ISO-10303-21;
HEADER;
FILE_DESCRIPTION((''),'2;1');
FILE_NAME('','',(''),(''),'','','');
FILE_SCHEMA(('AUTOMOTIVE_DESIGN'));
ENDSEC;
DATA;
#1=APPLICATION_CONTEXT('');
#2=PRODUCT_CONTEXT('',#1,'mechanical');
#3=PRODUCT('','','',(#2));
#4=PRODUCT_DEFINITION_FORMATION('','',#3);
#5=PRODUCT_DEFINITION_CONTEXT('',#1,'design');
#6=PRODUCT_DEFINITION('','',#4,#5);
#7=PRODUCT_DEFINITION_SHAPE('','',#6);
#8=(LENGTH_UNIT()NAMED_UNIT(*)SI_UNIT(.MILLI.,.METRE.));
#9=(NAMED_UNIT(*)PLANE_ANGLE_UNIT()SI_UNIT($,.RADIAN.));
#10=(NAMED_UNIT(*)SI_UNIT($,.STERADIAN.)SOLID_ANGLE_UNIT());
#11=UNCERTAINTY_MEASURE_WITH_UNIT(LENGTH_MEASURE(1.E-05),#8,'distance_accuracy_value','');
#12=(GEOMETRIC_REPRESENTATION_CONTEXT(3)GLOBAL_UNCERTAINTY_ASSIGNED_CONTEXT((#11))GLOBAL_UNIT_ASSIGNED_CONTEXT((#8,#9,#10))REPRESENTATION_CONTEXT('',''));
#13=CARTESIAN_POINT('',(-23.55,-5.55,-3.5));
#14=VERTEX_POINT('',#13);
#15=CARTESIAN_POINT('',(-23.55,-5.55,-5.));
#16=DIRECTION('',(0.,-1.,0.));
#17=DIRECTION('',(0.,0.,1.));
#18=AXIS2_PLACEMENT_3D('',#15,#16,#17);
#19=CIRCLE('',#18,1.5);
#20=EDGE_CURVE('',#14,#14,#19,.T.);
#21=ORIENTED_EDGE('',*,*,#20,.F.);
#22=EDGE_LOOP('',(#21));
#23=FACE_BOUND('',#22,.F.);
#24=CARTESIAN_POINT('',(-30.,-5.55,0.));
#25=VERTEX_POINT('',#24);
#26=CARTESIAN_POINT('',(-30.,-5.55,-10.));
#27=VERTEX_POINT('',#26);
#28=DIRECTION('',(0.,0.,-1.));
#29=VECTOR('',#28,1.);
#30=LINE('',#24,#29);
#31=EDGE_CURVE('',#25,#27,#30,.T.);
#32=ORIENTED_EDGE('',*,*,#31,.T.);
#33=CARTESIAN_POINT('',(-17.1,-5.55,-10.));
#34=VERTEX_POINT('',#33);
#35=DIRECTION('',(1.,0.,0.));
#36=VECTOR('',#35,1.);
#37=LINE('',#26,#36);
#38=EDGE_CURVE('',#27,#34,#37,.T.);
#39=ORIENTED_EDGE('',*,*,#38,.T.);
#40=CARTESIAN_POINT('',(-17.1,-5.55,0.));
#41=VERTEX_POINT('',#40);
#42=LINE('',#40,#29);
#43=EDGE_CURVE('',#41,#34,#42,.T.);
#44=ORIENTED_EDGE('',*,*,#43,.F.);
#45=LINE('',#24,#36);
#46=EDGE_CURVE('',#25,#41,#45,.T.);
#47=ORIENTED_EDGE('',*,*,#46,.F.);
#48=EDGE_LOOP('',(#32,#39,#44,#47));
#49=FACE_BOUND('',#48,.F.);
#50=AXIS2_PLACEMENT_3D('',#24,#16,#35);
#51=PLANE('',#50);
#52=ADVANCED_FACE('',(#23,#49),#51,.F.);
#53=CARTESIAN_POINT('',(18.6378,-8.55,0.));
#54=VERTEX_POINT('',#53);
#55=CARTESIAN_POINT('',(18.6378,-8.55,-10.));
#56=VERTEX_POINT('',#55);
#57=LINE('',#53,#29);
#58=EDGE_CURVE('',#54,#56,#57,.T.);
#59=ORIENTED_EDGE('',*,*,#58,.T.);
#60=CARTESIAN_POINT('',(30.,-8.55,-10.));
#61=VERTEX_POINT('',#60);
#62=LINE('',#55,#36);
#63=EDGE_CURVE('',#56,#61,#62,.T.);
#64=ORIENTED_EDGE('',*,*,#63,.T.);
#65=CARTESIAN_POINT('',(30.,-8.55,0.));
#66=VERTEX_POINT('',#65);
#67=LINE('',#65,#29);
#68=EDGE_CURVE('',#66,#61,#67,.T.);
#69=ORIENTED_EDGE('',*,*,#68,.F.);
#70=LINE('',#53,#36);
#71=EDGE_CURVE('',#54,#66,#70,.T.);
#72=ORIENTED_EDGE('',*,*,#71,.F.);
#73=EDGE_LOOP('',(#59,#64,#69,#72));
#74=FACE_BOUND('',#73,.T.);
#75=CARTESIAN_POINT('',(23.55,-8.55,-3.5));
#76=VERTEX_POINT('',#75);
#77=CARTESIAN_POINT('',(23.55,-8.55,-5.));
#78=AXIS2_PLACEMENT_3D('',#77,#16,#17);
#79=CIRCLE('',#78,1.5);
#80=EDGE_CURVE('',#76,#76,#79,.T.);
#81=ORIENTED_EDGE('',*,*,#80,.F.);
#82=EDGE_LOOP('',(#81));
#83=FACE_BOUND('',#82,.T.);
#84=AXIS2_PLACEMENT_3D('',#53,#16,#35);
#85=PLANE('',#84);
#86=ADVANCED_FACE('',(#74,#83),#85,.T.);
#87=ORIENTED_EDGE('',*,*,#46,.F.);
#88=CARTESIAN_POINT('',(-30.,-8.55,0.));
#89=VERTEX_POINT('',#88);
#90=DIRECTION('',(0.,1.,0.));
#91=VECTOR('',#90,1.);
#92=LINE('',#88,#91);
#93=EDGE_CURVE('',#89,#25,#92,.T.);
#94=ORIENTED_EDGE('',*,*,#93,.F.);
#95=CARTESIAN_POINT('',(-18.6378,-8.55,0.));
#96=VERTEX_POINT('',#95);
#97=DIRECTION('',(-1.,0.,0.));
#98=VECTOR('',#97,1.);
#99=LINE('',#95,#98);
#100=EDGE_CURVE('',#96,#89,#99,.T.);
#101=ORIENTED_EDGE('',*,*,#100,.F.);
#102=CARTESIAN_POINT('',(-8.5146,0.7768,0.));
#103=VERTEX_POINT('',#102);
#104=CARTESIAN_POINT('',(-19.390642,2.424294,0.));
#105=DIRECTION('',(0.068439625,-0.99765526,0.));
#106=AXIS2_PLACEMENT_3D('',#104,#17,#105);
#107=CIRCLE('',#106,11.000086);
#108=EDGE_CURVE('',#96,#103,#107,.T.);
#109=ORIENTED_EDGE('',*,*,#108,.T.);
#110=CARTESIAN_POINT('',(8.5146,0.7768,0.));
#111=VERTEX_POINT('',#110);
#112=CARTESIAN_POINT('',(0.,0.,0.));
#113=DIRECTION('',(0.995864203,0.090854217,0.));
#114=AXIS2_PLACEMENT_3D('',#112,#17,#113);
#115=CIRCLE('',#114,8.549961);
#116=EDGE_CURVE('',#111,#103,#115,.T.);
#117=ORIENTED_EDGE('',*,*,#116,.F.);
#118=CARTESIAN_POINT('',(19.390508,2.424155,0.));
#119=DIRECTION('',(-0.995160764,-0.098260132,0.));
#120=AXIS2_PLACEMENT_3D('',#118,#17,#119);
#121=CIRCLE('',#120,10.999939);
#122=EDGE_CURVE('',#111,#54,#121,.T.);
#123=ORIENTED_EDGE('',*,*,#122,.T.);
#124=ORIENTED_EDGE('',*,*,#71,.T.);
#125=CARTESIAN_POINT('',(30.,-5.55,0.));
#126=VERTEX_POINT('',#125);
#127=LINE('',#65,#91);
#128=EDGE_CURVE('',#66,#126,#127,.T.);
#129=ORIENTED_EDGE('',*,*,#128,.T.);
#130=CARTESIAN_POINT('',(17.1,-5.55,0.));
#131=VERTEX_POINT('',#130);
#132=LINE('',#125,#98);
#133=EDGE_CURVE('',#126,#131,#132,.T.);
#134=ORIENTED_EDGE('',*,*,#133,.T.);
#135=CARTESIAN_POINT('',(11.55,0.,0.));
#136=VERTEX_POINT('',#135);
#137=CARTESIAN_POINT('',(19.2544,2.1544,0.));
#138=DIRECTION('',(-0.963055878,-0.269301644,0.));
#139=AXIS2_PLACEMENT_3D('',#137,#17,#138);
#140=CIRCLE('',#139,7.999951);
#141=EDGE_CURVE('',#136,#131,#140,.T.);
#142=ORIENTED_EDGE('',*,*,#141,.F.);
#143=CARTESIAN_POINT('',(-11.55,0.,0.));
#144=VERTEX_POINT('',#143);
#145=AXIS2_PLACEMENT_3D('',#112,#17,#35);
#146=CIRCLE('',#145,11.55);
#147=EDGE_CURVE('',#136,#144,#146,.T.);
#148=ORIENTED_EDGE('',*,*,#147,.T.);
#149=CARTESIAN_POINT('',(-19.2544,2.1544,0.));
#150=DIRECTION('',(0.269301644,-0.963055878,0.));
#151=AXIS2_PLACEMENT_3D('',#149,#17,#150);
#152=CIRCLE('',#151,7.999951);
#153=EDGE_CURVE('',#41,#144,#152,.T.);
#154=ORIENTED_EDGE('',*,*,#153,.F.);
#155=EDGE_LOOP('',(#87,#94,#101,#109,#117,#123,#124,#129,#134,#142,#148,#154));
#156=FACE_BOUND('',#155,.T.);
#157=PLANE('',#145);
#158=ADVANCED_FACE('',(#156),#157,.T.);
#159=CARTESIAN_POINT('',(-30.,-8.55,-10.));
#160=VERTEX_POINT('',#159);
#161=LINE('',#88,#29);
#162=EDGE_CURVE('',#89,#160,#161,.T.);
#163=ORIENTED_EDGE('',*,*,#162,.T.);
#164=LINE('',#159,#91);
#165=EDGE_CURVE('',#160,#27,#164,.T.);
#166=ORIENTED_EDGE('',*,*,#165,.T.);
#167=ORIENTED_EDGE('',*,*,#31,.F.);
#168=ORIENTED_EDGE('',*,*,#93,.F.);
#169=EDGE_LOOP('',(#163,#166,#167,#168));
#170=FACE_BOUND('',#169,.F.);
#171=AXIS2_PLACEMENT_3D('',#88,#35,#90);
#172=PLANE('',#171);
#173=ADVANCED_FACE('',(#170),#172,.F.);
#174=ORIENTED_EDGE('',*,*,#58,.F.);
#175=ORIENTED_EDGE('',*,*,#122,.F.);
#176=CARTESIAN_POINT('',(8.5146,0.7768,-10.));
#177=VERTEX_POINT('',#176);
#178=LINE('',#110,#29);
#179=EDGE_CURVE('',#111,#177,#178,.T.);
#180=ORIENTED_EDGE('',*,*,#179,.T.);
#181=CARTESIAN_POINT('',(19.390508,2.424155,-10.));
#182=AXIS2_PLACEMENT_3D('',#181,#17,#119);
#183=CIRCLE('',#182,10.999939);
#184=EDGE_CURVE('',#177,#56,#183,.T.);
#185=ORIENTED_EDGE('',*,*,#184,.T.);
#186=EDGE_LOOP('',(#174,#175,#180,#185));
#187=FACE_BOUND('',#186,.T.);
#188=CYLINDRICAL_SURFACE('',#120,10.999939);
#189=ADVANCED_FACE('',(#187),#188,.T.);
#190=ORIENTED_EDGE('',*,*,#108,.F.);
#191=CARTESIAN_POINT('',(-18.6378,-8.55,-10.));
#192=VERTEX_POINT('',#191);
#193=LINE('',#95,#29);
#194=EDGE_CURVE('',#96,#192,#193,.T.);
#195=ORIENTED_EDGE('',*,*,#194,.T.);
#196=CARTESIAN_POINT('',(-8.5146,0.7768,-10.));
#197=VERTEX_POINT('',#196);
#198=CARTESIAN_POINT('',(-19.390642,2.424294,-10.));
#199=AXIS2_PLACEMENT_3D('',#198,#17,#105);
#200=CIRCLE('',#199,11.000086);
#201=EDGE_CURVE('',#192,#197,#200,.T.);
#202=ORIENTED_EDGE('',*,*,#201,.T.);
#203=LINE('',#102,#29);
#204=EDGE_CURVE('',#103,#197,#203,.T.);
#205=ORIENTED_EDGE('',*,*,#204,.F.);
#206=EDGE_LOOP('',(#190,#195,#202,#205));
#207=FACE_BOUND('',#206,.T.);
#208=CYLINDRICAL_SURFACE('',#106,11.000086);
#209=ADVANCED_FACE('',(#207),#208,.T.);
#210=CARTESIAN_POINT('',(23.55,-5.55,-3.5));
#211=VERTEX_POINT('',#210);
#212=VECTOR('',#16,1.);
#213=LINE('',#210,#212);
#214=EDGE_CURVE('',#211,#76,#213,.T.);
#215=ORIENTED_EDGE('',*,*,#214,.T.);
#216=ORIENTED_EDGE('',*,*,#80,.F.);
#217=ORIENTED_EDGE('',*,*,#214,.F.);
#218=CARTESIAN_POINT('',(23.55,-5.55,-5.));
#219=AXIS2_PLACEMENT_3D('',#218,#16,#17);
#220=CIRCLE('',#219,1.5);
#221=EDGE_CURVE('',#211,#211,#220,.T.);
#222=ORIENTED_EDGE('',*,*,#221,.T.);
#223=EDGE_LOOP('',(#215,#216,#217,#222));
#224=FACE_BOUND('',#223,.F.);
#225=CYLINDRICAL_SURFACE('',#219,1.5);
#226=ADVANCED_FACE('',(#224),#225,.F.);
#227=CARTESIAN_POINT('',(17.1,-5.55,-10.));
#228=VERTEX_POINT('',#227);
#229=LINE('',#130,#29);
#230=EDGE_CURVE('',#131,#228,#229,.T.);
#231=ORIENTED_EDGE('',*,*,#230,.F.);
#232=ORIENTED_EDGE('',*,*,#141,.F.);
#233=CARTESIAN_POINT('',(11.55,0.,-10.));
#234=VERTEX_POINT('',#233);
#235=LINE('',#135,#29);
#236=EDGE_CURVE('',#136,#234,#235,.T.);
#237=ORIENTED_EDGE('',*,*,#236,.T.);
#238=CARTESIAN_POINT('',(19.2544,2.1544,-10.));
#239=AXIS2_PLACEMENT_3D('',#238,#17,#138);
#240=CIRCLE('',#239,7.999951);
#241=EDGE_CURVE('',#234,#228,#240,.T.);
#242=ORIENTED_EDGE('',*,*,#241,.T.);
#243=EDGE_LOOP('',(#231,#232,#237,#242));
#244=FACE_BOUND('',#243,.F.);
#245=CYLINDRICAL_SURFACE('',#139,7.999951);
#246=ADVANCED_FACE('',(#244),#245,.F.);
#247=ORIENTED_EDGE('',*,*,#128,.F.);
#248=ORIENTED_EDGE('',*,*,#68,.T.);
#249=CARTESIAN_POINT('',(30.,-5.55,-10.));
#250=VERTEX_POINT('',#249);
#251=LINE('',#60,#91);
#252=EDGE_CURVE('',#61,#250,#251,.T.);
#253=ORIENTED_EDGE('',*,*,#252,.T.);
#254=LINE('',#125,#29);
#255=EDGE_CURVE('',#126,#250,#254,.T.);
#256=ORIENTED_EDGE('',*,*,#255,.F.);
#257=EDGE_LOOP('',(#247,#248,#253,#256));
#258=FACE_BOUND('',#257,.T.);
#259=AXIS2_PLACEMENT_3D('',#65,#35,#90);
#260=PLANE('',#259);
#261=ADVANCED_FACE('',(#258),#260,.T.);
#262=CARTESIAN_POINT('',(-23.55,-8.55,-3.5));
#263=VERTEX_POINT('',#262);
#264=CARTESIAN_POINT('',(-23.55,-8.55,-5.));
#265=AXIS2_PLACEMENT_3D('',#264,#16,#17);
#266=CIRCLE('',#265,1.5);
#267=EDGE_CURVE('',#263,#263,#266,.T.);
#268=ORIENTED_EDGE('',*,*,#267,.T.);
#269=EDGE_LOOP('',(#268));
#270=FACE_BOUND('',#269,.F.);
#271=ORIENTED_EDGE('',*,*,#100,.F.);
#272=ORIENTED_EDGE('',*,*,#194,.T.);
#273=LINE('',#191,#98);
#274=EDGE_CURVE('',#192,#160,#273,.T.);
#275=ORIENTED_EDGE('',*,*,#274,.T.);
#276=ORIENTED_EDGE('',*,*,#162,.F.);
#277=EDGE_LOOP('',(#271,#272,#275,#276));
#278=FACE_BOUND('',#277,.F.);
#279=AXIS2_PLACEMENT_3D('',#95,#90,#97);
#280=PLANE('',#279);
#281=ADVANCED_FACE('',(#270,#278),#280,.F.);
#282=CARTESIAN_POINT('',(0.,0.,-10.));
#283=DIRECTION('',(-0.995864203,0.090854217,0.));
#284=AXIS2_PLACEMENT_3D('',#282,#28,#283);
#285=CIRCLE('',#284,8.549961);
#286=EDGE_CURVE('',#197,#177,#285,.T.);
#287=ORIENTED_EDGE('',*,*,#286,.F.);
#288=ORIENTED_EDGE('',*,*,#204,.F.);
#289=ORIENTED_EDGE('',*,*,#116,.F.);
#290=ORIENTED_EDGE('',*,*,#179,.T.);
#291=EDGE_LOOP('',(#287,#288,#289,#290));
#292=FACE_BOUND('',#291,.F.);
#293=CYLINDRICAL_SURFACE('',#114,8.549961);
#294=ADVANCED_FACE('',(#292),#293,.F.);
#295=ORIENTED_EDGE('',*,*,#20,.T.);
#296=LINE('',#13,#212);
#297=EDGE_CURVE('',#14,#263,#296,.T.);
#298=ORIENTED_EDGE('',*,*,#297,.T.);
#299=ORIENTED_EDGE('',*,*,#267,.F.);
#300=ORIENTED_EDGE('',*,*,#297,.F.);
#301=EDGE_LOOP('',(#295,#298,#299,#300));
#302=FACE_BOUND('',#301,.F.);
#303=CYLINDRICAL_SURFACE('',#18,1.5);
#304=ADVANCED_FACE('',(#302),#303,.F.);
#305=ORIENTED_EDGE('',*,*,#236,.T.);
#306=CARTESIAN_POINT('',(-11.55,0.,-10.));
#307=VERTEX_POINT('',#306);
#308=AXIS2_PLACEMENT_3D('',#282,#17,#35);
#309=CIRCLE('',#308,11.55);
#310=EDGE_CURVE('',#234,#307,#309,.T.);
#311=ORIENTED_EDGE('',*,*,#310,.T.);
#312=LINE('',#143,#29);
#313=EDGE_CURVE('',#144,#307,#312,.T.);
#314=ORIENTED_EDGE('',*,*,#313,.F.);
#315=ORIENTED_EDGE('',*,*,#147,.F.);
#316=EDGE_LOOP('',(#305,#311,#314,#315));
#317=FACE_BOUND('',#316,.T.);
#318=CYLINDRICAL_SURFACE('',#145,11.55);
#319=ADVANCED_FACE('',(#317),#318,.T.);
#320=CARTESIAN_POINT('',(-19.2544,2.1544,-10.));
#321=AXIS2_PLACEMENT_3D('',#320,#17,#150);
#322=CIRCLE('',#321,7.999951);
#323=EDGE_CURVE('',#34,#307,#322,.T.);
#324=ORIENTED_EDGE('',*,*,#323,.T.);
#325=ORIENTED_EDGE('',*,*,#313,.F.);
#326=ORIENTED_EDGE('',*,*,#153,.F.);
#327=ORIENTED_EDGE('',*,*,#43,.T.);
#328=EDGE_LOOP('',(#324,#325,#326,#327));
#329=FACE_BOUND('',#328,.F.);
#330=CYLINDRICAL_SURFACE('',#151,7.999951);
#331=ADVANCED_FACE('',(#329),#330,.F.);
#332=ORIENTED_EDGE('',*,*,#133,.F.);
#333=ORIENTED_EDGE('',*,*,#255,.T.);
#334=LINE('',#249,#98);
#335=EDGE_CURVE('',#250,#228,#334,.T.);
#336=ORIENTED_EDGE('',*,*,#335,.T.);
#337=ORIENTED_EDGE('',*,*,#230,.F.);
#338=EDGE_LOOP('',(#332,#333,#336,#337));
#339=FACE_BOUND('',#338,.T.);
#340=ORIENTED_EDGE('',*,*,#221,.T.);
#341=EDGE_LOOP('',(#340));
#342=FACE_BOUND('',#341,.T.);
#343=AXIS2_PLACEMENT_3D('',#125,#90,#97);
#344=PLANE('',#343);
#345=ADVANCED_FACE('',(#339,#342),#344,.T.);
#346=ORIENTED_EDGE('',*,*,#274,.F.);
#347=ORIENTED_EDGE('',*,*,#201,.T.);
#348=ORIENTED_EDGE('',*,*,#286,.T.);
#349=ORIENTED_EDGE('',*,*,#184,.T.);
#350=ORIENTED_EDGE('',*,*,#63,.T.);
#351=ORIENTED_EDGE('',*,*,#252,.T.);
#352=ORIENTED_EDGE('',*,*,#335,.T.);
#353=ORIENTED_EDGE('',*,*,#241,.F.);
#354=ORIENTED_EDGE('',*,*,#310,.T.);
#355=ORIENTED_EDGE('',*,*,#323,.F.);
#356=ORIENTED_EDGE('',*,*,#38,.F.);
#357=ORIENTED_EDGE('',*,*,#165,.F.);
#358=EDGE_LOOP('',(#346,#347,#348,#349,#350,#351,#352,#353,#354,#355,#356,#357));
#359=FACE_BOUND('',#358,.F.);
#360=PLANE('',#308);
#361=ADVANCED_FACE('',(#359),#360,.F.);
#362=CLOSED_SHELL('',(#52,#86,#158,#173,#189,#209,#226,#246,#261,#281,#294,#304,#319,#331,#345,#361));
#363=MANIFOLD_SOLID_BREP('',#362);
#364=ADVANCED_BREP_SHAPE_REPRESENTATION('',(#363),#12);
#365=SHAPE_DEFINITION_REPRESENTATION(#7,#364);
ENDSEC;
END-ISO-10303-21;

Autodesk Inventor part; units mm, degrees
ref_plane "YZ Plane" through (0, 0, 0) normal (1, 0, 0) x (0, 1, 0)
ref_plane "XZ Plane" through (0, 0, 0) normal (0, 1, 0) x (-1, 0, 0)
ref_plane "XY Plane" through (0, 0, 0) normal (0, 0, 1) x (1, 0, 0)
sketch "Sketch1" plane through (0, 0, 0) normal (0, 0, 1) x (1, 0, 0)
  arc A0 (8.5146, 0.7768) -> (-8.5146, 0.7768) centre (0, 0) ccw
  line L0 (-18.6378, -8.55) -> (-30, -8.55)
  line L1 (30, -8.55) -> (30, -5.55)
  line L2 (30, -5.55) -> (17.1, -5.55)
  line L3 (-30, -8.55) -> (-30, -5.55)
  line L4 (-30, -5.55) -> (-17.1, -5.55)
  arc A1 (11.55, 0) -> (17.1, -5.55) centre (19.2544, 2.1544) ccw
  line L5 (11.55, 0) -> (17.1, -5.55) construction
  line L6 (11.55, 0) -> (19.3989, 0) construction
  arc A2 (8.4438, 1.3433) -> (18.6378, -8.55) centre (19.3906, 2.4242) ccw
  arc A3 (-17.1, -5.55) -> (-11.55, 0) centre (-19.2544, 2.1544) ccw
  arc A4 (-18.6378, -8.55) -> (-8.4438, 1.3433) centre (-19.3906, 2.4242) ccw
  line L7 (18.6378, -8.55) -> (30, -8.55)
  arc A5 (11.55, 0) -> (-11.55, 0) centre (0, 0) ccw
  dimension "d0" = 17.1
  dimension "d3" = 3
  dimension "d6" = 45
  dimension "d7" = 8
  dimension "d8" = 11
extrude "Extrusion1" add sketch "Sketch1" against normal blind 10 contours A0 A4 L0 L3 L4 A3 A5 A1 L2 L1 L7 A2
sketch "Sketch2" plane through (17.1, -5.55, 0) normal (0, 1, 0) x (1, 0, 0)
  circle A0 centre (6.45, 5) radius 1.5
  point P0 (-17.1, 0)
  dimension "d11" = 3
hole "Hole1" at (23.55, -5.55, -5) direction (0, -1, 0) diameter 3 end through all
sketch "Sketch3" plane through (-30, -5.55, 0) normal (0, 1, 0) x (1, 0, 0)
  circle A0 centre (6.45, 5) radius 1.5
  point P0 (30, 0)
  dimension "d19" = 3
hole "Hole2" at (-23.55, -5.55, -5) direction (0, -1, 0) diameter 3 end through all
sketch "Sketch4" plane through (-30, -8.55, 0) normal (0, -1, 0) x (1, 0, 0)
  circle A0 centre (6.45, -5) radius 1.5 projected
  line L0 (0, -10) -> (11.3622, -10) projected
  line L1 (11.3622, 0) -> (11.3622, -10) projected
  line L2 (0, 0) -> (11.3622, 0) projected
  line L3 (0, 0) -> (0, -10) projected
  point P0 (30, 0)
properties part number "braket motor kipas"
